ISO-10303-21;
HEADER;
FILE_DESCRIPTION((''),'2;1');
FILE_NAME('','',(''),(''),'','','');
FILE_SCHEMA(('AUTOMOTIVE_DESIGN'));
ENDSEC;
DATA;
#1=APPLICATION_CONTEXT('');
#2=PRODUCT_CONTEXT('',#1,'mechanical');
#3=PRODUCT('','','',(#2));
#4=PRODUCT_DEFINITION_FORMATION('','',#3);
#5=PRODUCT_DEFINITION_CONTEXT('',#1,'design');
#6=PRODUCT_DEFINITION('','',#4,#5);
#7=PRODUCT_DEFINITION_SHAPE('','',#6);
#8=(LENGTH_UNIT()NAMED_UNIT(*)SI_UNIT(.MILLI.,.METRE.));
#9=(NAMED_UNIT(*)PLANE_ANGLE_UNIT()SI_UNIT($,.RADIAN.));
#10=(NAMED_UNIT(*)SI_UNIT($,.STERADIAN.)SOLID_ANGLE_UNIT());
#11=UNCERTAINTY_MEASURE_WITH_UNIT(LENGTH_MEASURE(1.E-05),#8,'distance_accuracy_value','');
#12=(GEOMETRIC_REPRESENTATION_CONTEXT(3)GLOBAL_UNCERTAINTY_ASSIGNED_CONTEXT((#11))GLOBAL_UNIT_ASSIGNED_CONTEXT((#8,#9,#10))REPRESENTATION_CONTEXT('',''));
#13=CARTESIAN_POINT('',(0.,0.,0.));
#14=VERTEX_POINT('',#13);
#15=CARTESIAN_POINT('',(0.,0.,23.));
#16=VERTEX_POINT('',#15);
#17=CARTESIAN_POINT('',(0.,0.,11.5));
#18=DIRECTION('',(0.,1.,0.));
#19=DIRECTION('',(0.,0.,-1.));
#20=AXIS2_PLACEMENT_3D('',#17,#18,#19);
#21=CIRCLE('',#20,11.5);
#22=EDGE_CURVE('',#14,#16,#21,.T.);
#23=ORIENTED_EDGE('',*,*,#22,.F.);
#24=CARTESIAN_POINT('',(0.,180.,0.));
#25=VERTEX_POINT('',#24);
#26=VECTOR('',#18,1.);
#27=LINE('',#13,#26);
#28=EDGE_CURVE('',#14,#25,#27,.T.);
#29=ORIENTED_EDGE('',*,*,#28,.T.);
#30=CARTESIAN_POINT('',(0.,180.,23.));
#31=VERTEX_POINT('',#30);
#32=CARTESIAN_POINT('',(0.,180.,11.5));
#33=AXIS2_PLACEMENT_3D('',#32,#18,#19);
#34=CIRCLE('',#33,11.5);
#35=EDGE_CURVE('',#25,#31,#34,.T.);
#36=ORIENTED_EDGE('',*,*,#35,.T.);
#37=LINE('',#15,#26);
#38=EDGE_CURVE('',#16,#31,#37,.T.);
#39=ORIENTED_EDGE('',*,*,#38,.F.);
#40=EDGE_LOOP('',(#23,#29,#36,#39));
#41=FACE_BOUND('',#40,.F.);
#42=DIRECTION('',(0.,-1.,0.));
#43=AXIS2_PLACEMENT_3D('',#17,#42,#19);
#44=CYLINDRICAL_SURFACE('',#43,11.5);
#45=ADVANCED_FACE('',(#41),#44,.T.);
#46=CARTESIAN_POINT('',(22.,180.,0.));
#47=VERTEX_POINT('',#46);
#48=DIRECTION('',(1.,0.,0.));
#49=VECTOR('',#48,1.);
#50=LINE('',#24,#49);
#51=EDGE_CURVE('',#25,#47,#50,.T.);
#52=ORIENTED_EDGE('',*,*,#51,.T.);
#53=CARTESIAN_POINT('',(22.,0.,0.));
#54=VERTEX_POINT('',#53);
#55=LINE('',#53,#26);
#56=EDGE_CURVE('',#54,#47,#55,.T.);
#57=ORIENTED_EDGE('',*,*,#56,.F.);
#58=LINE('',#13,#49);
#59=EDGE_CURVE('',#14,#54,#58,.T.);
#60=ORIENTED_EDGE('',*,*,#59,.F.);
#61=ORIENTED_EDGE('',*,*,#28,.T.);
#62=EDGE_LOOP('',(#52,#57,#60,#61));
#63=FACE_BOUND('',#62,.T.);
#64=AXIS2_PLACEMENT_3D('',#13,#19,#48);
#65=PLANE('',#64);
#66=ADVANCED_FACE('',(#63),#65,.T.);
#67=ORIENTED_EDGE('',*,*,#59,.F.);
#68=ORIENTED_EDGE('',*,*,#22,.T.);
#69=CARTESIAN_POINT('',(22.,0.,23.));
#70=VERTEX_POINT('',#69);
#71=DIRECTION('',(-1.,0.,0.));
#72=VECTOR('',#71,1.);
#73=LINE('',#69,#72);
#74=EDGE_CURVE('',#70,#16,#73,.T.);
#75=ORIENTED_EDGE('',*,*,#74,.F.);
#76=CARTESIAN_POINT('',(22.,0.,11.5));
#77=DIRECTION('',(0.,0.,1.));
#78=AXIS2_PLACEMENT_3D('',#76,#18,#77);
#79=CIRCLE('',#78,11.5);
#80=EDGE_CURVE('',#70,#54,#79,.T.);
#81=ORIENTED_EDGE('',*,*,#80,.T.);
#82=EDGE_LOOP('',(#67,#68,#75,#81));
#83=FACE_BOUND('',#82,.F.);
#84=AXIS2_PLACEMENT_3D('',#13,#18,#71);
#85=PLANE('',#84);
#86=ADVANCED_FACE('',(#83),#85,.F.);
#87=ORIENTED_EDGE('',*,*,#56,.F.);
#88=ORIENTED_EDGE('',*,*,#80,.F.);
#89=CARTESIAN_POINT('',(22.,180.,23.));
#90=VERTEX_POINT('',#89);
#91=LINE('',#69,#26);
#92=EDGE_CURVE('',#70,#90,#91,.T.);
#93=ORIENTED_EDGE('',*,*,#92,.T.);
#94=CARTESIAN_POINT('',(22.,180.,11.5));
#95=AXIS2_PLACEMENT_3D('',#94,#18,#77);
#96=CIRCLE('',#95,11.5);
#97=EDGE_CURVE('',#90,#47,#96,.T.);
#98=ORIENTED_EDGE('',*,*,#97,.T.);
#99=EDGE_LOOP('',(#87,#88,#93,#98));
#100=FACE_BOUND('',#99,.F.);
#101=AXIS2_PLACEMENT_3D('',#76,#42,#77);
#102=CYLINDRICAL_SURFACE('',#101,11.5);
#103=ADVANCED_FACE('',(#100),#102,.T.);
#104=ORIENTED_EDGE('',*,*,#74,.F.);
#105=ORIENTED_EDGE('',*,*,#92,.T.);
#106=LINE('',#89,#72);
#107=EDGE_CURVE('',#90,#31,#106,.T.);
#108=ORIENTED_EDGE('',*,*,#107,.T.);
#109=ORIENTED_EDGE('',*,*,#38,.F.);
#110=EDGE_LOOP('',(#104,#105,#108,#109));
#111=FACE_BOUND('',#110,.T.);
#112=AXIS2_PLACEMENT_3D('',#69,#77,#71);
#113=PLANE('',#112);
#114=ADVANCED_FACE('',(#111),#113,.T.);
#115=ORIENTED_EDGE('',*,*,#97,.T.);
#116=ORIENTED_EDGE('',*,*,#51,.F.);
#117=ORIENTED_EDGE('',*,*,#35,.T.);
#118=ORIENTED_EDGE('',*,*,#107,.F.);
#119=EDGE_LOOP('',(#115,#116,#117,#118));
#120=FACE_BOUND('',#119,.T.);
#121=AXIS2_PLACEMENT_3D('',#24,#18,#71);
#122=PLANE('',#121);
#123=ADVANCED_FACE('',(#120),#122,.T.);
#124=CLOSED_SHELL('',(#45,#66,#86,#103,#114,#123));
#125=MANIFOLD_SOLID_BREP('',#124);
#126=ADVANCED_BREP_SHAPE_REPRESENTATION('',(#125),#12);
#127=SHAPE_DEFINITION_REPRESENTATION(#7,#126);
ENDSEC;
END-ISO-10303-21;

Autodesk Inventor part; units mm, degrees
ref_plane "YZ Plane" through (0, 0, 0) normal (1, 0, 0) x (0, 1, 0)
ref_plane "XZ Plane" through (0, 0, 0) normal (0, 1, 0) x (-1, 0, 0)
ref_plane "XY Plane" through (0, 0, 0) normal (0, 0, 1) x (1, 0, 0)
sketch "Esquisse1" plane through (0, 0, 0) normal (0, 1, 0) x (-1, 0, 0)
  line L0 (0, 0) -> (-22, 0)
  line L1 (-22, 23) -> (0, 23)
  arc A0 (-22, 23) -> (-22, 0) centre (-22, 11.5) ccw
  arc A1 (0, 0) -> (0, 23) centre (0, 11.5) ccw
  dimension "d0" = 45
  dimension "d2" = 23
extrude "Extrusion1" add sketch "Esquisse1" along normal blind 180
properties part number "grosse batterie"
